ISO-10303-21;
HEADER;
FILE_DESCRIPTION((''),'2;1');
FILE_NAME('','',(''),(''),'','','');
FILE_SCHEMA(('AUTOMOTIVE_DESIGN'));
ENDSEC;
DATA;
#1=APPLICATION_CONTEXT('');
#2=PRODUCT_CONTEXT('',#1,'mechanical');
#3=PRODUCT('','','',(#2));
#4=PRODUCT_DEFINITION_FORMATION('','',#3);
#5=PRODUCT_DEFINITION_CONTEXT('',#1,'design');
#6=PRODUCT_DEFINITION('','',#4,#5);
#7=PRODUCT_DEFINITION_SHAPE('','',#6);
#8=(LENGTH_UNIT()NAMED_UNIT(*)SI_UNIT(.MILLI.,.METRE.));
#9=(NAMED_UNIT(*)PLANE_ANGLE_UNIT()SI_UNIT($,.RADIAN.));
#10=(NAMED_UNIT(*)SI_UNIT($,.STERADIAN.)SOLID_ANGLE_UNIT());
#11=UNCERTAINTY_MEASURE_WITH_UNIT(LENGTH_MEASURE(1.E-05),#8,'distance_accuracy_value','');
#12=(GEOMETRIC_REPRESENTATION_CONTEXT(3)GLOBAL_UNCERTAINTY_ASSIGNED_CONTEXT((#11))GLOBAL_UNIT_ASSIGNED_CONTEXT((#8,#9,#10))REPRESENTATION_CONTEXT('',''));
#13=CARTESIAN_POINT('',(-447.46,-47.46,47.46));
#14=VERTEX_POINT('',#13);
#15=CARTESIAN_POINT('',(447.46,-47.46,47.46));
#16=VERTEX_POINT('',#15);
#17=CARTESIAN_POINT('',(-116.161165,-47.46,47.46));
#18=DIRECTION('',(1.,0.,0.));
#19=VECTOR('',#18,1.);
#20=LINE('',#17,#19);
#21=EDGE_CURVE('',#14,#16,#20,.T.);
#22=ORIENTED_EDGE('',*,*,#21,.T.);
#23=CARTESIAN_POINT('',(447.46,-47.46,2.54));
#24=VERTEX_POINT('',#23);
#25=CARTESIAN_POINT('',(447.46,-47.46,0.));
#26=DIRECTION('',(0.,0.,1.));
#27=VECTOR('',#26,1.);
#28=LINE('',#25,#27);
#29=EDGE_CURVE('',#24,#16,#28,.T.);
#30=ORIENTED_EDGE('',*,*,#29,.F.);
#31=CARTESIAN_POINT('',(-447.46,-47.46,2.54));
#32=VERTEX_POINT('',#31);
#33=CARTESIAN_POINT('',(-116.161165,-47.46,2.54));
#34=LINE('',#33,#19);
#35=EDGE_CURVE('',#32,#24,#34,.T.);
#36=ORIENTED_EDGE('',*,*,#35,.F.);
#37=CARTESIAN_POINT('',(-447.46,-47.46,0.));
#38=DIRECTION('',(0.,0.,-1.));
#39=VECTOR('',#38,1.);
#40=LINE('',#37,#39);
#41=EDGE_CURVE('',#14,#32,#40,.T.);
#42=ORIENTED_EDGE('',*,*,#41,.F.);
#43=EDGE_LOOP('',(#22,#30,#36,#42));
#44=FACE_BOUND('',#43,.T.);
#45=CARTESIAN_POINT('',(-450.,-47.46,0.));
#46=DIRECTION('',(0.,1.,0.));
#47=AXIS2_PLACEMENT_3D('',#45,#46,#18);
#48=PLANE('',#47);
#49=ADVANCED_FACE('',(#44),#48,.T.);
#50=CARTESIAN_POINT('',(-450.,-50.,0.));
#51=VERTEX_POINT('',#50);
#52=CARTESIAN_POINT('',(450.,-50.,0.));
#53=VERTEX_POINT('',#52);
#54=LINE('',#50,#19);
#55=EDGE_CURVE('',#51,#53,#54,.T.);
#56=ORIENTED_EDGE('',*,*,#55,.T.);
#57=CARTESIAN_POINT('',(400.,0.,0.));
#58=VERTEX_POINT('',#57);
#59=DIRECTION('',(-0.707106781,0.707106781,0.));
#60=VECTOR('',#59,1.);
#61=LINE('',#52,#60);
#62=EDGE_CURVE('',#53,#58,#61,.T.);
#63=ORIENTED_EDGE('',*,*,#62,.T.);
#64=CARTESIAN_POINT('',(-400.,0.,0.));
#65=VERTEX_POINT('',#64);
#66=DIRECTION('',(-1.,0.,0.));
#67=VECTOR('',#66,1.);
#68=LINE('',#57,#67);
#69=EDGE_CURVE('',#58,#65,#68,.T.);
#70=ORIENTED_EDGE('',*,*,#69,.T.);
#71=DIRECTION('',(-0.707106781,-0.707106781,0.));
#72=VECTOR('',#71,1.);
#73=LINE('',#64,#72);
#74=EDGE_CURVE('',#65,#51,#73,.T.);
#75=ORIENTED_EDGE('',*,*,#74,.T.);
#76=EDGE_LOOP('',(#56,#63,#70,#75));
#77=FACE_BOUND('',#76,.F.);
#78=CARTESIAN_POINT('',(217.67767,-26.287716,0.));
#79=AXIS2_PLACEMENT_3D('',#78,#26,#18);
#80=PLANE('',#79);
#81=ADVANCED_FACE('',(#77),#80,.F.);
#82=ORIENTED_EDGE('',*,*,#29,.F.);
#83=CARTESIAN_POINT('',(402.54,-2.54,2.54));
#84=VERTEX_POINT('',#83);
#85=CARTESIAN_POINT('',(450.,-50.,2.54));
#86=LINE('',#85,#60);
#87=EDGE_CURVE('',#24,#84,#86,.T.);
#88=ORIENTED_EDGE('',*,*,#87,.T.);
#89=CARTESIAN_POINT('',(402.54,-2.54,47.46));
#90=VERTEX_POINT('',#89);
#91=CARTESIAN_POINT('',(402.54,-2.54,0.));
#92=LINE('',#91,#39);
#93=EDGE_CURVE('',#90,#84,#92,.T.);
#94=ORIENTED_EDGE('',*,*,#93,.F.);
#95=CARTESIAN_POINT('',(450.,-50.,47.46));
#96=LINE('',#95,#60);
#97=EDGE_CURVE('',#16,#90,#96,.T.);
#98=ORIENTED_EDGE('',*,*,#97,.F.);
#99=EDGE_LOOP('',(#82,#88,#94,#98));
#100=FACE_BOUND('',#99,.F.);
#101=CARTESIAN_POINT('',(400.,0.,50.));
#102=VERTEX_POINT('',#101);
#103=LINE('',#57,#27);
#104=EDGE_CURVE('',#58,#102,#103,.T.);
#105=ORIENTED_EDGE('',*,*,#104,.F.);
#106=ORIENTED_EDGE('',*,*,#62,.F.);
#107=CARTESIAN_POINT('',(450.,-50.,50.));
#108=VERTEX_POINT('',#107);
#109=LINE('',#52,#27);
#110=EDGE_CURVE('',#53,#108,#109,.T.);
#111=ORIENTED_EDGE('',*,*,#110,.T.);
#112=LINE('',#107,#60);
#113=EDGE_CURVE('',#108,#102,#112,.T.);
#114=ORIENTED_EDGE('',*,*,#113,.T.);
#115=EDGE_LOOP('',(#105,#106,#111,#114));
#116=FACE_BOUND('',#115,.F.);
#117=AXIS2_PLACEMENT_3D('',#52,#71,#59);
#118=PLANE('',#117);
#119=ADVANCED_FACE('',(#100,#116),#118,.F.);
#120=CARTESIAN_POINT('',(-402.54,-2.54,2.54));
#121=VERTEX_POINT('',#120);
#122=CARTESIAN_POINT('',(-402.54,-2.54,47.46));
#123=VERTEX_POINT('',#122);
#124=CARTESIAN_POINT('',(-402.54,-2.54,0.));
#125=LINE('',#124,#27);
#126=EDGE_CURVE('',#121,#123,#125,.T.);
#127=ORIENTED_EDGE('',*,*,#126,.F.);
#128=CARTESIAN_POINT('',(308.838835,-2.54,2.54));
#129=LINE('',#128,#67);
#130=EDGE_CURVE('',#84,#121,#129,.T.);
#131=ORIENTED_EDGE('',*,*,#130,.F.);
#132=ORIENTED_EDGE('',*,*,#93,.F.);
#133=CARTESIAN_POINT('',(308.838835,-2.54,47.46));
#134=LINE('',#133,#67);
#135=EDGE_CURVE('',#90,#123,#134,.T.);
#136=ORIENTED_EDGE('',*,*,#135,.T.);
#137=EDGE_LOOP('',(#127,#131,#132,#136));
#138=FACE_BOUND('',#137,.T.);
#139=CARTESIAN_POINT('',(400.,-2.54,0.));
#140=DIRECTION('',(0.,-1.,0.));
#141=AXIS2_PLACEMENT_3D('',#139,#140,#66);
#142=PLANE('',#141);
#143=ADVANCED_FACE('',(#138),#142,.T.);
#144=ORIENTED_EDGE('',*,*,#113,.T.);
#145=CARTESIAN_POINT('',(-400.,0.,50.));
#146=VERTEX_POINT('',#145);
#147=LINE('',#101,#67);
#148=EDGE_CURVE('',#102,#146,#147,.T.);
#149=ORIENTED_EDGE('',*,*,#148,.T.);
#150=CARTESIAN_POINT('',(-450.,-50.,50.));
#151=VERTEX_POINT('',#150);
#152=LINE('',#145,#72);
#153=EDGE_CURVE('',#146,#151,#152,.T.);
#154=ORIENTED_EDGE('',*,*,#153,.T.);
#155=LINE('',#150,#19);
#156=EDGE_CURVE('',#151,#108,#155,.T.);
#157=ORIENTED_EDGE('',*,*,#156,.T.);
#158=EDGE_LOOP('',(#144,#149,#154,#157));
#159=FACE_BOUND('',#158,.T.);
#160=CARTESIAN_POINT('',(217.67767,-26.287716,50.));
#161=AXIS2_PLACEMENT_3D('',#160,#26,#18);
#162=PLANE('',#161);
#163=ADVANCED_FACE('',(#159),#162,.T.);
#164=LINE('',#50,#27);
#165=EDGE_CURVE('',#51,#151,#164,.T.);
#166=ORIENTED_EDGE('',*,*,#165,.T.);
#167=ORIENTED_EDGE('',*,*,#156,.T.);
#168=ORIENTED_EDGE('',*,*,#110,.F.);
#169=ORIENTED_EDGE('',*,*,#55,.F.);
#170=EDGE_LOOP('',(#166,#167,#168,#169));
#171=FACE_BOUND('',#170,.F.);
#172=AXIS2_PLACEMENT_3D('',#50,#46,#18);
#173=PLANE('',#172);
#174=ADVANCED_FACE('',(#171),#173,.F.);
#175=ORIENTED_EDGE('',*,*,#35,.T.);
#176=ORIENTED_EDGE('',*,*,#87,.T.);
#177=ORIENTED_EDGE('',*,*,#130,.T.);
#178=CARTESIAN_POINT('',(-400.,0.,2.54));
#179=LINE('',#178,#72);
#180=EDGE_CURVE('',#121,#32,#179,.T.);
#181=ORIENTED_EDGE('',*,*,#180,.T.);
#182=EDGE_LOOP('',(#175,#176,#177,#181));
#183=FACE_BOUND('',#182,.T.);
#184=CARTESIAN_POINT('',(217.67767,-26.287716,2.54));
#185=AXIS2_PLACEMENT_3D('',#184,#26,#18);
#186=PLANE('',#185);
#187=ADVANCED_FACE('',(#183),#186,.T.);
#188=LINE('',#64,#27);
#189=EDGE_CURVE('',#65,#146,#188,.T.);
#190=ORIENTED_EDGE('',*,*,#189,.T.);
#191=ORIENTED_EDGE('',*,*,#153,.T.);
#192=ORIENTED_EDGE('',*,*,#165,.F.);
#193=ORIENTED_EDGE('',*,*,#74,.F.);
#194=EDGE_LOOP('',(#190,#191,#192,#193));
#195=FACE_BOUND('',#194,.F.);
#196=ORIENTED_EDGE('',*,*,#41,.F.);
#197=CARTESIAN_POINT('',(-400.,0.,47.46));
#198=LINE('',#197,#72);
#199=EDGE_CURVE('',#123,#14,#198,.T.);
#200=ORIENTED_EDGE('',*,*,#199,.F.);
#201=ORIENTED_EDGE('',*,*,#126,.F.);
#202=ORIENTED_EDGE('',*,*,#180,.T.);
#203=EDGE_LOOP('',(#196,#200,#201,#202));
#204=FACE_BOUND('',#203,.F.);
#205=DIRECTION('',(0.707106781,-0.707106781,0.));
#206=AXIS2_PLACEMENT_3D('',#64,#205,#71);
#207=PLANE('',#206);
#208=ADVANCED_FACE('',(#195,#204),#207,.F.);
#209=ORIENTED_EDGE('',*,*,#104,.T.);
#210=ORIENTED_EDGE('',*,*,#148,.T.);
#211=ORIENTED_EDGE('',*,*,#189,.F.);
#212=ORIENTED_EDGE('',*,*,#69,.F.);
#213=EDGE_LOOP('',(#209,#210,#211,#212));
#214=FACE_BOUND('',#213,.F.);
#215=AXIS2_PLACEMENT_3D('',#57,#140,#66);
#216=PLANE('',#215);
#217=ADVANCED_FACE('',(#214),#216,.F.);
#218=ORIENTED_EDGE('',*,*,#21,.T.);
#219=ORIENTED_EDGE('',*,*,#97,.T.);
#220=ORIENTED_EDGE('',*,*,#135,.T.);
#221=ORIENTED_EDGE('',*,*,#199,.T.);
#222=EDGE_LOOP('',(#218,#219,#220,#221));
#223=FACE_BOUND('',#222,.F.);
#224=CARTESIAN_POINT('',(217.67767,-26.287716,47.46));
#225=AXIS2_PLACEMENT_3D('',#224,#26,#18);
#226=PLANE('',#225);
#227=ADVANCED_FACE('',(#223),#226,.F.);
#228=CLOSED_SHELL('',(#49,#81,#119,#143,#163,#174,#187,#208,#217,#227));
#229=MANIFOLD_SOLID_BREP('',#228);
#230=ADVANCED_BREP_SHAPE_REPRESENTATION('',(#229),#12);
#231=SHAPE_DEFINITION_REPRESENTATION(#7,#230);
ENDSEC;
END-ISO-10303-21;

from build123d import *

# Parameters (mm, degrees)
F1_DEPTH = 50
F2_T     = -2.54


with BuildPart() as f1:
    # F0 (on Top) → F1 (new body)
    with BuildSketch(Plane.XY):
        Polygon((400, 0), (0, 0), (0, -50), (450, -50), align=None)
        Polygon((0, -50), (0, 0), (-400, 0), (-450, -50), align=None)
    extrude(amount=F1_DEPTH)

    # F2
    f2_openings = [f1.faces().sort_by_distance(p)[0] for p in [
        (425, -25, 25),
        (-425, -25, 25),
    ]]
    offset(amount=F2_T, openings=f2_openings)


solid = f1.part
